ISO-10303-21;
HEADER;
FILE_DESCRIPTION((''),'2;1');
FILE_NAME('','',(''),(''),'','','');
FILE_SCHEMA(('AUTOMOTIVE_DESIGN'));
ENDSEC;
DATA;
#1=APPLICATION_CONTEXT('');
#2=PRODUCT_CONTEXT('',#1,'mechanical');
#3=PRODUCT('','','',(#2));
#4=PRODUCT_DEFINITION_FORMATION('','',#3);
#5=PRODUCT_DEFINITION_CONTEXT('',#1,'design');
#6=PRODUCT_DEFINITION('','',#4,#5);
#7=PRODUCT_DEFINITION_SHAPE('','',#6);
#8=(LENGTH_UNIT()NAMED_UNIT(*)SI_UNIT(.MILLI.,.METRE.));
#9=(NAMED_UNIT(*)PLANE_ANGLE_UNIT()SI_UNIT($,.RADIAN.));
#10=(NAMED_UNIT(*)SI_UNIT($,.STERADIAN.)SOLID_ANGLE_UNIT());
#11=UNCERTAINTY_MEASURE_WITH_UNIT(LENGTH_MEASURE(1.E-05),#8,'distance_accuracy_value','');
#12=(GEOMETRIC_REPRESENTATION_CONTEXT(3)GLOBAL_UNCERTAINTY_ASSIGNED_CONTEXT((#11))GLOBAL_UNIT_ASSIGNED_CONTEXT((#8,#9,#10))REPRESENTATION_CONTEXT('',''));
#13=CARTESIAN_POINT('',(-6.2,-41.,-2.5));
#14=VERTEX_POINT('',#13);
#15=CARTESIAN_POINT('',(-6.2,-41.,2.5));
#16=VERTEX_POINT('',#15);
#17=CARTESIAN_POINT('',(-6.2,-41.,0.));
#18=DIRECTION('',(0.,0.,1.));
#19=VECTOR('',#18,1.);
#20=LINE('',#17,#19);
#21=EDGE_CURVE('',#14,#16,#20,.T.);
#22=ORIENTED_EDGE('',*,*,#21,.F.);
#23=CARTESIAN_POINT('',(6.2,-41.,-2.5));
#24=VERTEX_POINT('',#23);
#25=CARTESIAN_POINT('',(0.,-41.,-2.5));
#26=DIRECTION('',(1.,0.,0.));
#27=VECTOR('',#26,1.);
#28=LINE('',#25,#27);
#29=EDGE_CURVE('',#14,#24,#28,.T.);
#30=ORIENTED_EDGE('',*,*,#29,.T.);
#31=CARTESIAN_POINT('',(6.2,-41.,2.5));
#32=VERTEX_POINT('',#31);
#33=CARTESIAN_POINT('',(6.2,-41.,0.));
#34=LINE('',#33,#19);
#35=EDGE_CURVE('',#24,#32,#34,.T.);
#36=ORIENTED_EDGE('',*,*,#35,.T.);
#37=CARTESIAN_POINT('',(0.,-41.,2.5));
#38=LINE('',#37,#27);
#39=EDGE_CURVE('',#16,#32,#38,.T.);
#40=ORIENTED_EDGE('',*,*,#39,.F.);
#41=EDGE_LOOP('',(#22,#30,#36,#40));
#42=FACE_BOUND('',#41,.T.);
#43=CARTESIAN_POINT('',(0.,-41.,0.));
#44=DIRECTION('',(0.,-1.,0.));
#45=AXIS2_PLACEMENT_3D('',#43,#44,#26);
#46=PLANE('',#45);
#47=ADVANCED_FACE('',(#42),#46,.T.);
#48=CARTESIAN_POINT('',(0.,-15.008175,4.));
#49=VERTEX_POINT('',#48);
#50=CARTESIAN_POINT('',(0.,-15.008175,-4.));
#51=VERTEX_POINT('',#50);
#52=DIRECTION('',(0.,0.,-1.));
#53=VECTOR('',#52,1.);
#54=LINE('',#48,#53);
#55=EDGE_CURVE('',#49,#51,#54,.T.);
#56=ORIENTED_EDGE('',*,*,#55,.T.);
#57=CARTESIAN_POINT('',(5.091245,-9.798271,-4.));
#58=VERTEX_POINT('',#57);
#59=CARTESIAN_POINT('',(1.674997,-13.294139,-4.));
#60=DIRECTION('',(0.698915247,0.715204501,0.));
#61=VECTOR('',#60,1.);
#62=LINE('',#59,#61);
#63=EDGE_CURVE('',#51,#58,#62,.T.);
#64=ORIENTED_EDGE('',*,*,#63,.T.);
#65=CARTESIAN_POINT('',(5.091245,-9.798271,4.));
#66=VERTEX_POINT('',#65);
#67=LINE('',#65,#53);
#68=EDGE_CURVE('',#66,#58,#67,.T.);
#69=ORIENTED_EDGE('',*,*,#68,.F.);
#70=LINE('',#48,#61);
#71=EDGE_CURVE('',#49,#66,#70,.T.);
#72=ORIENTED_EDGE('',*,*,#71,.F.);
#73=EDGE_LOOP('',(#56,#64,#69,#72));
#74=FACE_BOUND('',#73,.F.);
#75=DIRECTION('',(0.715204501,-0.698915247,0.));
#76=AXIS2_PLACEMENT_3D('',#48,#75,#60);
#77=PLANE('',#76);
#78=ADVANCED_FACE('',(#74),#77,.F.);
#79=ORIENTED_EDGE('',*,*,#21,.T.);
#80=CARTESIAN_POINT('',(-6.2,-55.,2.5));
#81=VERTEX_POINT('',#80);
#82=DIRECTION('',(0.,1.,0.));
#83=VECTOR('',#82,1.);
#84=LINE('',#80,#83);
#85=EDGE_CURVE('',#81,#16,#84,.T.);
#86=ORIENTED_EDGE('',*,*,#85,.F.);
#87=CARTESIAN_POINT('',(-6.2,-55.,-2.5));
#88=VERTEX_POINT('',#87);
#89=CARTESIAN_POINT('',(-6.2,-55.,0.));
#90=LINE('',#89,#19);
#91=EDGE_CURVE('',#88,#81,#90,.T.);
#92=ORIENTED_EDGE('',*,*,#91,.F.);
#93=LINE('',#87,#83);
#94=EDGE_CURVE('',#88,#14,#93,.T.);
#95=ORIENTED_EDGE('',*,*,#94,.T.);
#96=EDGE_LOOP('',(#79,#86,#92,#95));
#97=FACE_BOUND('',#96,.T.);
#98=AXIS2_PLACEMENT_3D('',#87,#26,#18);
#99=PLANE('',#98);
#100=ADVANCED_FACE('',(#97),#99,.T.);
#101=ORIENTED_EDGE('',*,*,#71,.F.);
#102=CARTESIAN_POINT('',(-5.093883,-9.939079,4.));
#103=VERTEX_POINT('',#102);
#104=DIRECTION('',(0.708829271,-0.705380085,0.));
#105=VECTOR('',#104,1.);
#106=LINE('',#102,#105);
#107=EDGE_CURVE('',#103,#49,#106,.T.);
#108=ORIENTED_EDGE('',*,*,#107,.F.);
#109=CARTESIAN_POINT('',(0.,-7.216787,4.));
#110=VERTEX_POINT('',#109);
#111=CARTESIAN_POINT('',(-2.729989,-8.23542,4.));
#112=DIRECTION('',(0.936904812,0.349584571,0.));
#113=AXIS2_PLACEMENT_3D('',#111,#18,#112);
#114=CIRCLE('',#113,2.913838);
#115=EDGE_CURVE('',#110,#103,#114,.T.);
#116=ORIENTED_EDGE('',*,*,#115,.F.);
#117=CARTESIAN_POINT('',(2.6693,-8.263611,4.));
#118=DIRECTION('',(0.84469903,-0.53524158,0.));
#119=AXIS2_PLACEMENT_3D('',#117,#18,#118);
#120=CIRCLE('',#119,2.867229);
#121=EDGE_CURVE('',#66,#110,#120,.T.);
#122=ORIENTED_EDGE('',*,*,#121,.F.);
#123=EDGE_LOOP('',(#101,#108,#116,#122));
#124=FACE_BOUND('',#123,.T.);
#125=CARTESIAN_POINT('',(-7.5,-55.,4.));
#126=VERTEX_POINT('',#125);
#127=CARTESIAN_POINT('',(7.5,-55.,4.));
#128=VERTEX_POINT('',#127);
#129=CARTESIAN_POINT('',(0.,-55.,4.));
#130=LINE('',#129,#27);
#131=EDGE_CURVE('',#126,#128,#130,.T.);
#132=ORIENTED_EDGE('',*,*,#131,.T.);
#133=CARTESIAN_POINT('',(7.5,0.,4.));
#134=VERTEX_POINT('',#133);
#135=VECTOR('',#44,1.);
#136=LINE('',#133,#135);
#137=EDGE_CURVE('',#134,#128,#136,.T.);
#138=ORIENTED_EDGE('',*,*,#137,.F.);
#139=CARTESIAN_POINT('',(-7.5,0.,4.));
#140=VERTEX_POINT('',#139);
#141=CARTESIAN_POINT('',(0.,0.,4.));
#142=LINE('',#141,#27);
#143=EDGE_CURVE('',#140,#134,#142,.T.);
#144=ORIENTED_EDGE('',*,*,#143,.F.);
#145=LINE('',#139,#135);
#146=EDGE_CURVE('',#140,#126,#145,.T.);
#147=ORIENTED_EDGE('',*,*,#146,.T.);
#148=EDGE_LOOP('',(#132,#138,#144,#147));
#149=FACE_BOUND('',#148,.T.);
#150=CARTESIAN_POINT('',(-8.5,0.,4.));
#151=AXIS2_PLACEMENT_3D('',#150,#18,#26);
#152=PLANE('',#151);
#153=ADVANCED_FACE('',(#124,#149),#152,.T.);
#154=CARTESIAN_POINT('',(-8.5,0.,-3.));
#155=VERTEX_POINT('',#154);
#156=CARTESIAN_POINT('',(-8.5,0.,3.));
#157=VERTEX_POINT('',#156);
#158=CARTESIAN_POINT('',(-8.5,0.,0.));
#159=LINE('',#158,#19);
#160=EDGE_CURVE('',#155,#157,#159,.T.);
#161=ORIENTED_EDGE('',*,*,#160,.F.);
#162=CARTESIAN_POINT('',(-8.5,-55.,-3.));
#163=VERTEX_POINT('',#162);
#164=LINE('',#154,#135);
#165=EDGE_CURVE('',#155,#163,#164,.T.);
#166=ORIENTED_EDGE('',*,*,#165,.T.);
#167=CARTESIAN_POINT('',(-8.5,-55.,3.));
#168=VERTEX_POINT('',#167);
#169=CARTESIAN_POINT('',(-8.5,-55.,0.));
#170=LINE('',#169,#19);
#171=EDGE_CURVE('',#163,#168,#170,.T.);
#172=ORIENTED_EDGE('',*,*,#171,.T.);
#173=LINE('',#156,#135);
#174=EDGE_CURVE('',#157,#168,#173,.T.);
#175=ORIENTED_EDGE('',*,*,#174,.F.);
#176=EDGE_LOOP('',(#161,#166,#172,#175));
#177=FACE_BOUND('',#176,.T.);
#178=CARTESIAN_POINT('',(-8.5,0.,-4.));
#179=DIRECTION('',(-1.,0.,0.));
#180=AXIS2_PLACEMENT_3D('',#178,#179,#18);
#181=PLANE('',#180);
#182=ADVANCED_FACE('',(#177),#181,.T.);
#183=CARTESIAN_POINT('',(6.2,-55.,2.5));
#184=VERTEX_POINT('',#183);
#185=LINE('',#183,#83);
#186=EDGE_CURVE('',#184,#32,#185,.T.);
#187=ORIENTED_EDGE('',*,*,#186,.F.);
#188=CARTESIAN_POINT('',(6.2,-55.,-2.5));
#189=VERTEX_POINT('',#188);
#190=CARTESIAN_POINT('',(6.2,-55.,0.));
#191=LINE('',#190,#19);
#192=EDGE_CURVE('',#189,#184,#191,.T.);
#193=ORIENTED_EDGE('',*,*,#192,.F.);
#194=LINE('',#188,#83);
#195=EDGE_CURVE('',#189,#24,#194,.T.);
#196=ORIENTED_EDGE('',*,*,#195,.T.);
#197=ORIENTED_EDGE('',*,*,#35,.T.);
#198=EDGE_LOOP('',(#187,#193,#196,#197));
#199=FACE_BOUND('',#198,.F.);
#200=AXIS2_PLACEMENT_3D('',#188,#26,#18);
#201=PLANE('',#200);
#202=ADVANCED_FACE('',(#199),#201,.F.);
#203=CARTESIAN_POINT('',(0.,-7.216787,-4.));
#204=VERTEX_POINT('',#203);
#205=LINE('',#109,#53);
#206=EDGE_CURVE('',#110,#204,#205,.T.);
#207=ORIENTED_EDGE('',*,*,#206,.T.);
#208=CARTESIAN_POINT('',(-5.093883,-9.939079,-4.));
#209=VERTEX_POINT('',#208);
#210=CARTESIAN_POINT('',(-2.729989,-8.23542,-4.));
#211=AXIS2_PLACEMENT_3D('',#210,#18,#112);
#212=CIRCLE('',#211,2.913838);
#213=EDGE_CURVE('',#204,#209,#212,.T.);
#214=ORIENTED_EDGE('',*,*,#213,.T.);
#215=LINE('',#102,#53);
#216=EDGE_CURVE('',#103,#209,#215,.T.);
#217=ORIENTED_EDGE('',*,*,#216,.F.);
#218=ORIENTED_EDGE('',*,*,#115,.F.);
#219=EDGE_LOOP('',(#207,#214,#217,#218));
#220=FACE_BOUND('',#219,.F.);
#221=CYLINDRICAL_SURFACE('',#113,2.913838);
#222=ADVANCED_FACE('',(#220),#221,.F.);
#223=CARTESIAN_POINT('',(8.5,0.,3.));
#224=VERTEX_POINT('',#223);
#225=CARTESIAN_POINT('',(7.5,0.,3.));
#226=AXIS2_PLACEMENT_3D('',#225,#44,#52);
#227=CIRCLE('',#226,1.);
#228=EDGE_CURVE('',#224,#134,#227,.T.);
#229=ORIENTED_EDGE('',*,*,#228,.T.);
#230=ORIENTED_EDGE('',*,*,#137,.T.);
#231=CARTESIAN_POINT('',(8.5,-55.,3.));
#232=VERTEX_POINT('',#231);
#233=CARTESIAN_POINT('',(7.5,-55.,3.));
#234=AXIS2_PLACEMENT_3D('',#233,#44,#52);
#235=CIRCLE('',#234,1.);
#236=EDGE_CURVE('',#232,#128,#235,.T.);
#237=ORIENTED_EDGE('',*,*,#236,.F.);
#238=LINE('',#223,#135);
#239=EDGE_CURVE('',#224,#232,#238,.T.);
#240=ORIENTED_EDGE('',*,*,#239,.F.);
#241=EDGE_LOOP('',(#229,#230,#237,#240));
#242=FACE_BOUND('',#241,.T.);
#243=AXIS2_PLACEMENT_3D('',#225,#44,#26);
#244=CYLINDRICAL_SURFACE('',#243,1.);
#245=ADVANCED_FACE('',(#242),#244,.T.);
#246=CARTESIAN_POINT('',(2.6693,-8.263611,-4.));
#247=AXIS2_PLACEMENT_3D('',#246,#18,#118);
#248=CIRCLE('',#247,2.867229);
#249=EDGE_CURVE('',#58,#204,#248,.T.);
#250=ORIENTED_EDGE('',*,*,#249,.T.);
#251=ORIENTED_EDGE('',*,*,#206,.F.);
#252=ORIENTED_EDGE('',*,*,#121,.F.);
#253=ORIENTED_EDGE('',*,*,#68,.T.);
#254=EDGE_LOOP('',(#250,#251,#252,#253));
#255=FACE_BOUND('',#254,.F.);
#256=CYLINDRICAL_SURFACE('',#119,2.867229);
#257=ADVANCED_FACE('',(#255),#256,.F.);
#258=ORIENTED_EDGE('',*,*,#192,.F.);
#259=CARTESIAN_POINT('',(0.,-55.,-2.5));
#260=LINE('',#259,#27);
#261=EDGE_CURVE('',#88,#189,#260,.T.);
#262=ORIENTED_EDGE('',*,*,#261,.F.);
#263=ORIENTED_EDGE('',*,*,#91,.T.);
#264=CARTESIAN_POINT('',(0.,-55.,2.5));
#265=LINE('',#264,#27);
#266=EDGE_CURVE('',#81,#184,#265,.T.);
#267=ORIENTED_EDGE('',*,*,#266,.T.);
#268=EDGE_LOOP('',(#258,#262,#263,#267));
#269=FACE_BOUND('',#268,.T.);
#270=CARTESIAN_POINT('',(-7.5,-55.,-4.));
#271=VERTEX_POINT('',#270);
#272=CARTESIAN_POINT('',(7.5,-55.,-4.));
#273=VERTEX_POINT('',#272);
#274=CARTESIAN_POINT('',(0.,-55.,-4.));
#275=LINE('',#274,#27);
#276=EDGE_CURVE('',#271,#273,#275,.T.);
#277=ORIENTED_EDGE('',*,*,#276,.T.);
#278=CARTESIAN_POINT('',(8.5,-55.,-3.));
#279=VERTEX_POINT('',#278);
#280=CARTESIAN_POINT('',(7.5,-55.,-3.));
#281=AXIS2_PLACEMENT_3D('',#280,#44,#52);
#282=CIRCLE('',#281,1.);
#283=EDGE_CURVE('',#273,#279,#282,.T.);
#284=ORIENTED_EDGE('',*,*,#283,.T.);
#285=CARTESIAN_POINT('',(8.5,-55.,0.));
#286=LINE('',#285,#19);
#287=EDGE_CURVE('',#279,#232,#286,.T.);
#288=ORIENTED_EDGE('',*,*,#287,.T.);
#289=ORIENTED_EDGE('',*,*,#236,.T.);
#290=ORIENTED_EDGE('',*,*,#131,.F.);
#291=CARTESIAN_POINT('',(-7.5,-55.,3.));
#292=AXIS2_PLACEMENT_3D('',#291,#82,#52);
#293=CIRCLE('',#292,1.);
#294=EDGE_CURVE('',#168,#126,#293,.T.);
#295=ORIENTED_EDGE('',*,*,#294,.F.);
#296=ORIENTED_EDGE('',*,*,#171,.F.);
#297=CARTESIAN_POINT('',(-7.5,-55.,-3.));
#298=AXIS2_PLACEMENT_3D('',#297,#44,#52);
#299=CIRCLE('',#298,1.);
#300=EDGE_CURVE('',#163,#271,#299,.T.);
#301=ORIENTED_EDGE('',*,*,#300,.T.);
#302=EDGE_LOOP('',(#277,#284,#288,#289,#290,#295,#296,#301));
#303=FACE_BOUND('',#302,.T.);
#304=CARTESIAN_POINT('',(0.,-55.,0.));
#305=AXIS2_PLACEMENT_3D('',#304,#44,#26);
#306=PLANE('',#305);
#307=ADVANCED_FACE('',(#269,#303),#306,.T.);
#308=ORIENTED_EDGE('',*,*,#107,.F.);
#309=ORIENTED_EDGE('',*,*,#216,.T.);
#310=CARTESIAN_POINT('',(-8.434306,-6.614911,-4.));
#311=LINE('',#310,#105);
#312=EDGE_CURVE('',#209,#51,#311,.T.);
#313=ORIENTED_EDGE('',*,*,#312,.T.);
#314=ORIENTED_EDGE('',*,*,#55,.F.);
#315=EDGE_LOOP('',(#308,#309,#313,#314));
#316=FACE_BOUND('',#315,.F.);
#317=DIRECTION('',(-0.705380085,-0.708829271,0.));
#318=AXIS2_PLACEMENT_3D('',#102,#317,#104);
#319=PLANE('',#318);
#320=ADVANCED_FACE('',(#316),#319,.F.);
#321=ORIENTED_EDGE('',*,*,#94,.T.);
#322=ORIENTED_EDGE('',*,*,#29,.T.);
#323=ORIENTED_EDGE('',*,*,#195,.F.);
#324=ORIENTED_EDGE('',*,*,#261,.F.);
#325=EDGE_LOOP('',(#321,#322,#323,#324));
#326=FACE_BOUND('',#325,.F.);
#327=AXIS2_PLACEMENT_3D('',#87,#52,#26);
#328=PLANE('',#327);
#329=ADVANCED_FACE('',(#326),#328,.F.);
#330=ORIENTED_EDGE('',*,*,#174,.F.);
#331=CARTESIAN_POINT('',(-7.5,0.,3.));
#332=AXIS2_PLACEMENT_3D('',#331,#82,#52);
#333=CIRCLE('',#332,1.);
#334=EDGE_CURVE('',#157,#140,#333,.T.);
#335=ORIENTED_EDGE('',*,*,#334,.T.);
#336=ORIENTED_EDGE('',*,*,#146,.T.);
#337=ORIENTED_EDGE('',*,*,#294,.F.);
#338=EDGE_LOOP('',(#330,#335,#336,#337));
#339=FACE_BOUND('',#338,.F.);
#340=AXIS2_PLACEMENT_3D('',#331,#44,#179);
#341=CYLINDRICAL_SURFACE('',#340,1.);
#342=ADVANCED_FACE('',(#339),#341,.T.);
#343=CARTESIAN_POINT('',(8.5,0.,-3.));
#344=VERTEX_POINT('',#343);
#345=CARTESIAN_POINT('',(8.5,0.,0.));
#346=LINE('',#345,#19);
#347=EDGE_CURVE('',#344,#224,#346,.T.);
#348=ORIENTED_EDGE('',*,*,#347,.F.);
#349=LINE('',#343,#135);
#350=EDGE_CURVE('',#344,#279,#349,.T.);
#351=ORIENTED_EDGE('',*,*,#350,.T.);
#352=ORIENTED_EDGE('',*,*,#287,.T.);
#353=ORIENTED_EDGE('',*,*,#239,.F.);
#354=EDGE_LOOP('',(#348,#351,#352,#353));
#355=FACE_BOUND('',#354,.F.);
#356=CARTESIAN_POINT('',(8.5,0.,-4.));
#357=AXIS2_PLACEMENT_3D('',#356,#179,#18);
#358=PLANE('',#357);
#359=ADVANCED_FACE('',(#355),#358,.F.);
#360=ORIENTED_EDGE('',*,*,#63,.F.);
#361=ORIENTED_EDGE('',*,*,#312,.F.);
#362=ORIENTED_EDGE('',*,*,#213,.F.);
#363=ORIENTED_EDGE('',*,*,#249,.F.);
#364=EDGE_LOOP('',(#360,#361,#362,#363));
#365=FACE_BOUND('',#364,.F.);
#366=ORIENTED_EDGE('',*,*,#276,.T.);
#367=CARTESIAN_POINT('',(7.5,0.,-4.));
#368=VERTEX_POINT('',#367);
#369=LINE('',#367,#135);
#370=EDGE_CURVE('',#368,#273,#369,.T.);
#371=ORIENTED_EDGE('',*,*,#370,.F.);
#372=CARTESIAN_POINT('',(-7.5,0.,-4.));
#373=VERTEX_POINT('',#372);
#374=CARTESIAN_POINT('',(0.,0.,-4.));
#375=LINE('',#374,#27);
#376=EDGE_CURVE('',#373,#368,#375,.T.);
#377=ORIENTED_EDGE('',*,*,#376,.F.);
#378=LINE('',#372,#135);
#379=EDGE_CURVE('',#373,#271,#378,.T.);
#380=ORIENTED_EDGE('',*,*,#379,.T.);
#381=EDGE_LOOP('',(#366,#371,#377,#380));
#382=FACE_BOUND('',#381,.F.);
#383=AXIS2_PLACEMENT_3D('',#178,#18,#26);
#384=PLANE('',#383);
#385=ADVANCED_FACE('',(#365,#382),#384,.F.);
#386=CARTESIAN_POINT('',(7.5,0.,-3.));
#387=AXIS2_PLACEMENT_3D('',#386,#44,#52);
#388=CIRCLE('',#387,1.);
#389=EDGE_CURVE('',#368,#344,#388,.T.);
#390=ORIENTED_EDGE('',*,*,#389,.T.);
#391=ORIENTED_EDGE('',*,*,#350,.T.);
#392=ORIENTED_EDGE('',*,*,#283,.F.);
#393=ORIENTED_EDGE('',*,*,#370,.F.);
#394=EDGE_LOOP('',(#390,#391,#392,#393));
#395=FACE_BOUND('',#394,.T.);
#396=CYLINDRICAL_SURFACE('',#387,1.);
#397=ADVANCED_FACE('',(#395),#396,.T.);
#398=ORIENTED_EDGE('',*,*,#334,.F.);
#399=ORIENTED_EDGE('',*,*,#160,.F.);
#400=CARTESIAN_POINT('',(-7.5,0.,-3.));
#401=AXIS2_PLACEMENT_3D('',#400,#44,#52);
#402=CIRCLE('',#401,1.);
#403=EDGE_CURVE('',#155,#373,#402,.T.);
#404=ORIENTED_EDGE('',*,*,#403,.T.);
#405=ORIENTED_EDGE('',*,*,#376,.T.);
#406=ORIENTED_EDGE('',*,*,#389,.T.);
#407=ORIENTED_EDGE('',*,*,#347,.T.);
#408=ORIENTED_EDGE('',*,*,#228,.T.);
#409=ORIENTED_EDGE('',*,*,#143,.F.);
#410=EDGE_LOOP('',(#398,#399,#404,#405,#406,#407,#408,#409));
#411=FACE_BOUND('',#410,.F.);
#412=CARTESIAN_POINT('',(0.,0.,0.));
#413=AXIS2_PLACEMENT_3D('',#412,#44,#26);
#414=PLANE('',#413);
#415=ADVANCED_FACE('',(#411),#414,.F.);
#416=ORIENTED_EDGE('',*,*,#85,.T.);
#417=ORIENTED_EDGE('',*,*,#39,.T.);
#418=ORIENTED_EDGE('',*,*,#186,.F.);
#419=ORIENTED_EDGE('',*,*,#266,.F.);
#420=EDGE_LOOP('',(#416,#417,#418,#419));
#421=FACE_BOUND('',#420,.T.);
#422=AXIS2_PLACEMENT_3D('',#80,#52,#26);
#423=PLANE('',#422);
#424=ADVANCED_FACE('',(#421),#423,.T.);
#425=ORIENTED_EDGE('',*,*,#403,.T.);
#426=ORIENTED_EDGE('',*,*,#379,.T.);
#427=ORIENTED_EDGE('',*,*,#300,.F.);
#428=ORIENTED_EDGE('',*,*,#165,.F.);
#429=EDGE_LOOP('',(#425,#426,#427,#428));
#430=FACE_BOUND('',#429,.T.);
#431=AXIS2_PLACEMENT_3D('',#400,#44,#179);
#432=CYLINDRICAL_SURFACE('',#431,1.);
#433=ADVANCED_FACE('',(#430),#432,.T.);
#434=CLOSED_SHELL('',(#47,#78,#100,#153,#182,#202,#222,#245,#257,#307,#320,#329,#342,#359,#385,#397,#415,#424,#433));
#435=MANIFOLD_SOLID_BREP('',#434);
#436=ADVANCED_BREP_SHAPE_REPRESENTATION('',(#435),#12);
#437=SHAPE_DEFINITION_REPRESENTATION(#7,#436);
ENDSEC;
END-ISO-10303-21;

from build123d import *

# Parameters (mm, degrees)
F0_W     = 17
F0_H     = 8
F1_DEPTH = 55
F2_R     = 1
F3_W     = 12.4
F3_H     = 5
F4_DEPTH = 14
F6_DEPTH = 25


with BuildPart() as f1:
    # F0 (on Front) → F1 (new body)
    with BuildSketch(Plane.XZ):
        Rectangle(F0_W, F0_H)
    extrude(amount=F1_DEPTH)

    # F2
    f2_edges = [f1.edges().sort_by_distance(p)[0] for p in [
        (-8.5, -27.5, 4),
        (-8.5, -27.5, -4),
        (8.5, -27.5, -4),
        (8.5, -27.5, 4),
    ]]
    fillet(f2_edges, radius=F2_R)

    # F3 (on face) → F4 (cut)
    with BuildSketch(Plane.XZ.offset(55)):
        Rectangle(F3_W, F3_H)
    extrude(amount=-F4_DEPTH, mode=Mode.SUBTRACT)

    # F5 (on face) → F6 (cut)
    with BuildSketch(Plane.XY.offset(4)):
        with BuildLine():
            ThreePointArc((5.091245, -9.798271), (3.965953, -5.706329), (0, -7.216787))
            ThreePointArc((0, -7.216787), (-4.103388, -5.665551), (-5.093883, -9.939079))
            Line((-5.093883, -9.939079), (0, -15.008175))
            Line((0, -15.008175), (5.091245, -9.798271))
        make_face()
    extrude(amount=-F6_DEPTH, mode=Mode.SUBTRACT)


solid = f1.part
